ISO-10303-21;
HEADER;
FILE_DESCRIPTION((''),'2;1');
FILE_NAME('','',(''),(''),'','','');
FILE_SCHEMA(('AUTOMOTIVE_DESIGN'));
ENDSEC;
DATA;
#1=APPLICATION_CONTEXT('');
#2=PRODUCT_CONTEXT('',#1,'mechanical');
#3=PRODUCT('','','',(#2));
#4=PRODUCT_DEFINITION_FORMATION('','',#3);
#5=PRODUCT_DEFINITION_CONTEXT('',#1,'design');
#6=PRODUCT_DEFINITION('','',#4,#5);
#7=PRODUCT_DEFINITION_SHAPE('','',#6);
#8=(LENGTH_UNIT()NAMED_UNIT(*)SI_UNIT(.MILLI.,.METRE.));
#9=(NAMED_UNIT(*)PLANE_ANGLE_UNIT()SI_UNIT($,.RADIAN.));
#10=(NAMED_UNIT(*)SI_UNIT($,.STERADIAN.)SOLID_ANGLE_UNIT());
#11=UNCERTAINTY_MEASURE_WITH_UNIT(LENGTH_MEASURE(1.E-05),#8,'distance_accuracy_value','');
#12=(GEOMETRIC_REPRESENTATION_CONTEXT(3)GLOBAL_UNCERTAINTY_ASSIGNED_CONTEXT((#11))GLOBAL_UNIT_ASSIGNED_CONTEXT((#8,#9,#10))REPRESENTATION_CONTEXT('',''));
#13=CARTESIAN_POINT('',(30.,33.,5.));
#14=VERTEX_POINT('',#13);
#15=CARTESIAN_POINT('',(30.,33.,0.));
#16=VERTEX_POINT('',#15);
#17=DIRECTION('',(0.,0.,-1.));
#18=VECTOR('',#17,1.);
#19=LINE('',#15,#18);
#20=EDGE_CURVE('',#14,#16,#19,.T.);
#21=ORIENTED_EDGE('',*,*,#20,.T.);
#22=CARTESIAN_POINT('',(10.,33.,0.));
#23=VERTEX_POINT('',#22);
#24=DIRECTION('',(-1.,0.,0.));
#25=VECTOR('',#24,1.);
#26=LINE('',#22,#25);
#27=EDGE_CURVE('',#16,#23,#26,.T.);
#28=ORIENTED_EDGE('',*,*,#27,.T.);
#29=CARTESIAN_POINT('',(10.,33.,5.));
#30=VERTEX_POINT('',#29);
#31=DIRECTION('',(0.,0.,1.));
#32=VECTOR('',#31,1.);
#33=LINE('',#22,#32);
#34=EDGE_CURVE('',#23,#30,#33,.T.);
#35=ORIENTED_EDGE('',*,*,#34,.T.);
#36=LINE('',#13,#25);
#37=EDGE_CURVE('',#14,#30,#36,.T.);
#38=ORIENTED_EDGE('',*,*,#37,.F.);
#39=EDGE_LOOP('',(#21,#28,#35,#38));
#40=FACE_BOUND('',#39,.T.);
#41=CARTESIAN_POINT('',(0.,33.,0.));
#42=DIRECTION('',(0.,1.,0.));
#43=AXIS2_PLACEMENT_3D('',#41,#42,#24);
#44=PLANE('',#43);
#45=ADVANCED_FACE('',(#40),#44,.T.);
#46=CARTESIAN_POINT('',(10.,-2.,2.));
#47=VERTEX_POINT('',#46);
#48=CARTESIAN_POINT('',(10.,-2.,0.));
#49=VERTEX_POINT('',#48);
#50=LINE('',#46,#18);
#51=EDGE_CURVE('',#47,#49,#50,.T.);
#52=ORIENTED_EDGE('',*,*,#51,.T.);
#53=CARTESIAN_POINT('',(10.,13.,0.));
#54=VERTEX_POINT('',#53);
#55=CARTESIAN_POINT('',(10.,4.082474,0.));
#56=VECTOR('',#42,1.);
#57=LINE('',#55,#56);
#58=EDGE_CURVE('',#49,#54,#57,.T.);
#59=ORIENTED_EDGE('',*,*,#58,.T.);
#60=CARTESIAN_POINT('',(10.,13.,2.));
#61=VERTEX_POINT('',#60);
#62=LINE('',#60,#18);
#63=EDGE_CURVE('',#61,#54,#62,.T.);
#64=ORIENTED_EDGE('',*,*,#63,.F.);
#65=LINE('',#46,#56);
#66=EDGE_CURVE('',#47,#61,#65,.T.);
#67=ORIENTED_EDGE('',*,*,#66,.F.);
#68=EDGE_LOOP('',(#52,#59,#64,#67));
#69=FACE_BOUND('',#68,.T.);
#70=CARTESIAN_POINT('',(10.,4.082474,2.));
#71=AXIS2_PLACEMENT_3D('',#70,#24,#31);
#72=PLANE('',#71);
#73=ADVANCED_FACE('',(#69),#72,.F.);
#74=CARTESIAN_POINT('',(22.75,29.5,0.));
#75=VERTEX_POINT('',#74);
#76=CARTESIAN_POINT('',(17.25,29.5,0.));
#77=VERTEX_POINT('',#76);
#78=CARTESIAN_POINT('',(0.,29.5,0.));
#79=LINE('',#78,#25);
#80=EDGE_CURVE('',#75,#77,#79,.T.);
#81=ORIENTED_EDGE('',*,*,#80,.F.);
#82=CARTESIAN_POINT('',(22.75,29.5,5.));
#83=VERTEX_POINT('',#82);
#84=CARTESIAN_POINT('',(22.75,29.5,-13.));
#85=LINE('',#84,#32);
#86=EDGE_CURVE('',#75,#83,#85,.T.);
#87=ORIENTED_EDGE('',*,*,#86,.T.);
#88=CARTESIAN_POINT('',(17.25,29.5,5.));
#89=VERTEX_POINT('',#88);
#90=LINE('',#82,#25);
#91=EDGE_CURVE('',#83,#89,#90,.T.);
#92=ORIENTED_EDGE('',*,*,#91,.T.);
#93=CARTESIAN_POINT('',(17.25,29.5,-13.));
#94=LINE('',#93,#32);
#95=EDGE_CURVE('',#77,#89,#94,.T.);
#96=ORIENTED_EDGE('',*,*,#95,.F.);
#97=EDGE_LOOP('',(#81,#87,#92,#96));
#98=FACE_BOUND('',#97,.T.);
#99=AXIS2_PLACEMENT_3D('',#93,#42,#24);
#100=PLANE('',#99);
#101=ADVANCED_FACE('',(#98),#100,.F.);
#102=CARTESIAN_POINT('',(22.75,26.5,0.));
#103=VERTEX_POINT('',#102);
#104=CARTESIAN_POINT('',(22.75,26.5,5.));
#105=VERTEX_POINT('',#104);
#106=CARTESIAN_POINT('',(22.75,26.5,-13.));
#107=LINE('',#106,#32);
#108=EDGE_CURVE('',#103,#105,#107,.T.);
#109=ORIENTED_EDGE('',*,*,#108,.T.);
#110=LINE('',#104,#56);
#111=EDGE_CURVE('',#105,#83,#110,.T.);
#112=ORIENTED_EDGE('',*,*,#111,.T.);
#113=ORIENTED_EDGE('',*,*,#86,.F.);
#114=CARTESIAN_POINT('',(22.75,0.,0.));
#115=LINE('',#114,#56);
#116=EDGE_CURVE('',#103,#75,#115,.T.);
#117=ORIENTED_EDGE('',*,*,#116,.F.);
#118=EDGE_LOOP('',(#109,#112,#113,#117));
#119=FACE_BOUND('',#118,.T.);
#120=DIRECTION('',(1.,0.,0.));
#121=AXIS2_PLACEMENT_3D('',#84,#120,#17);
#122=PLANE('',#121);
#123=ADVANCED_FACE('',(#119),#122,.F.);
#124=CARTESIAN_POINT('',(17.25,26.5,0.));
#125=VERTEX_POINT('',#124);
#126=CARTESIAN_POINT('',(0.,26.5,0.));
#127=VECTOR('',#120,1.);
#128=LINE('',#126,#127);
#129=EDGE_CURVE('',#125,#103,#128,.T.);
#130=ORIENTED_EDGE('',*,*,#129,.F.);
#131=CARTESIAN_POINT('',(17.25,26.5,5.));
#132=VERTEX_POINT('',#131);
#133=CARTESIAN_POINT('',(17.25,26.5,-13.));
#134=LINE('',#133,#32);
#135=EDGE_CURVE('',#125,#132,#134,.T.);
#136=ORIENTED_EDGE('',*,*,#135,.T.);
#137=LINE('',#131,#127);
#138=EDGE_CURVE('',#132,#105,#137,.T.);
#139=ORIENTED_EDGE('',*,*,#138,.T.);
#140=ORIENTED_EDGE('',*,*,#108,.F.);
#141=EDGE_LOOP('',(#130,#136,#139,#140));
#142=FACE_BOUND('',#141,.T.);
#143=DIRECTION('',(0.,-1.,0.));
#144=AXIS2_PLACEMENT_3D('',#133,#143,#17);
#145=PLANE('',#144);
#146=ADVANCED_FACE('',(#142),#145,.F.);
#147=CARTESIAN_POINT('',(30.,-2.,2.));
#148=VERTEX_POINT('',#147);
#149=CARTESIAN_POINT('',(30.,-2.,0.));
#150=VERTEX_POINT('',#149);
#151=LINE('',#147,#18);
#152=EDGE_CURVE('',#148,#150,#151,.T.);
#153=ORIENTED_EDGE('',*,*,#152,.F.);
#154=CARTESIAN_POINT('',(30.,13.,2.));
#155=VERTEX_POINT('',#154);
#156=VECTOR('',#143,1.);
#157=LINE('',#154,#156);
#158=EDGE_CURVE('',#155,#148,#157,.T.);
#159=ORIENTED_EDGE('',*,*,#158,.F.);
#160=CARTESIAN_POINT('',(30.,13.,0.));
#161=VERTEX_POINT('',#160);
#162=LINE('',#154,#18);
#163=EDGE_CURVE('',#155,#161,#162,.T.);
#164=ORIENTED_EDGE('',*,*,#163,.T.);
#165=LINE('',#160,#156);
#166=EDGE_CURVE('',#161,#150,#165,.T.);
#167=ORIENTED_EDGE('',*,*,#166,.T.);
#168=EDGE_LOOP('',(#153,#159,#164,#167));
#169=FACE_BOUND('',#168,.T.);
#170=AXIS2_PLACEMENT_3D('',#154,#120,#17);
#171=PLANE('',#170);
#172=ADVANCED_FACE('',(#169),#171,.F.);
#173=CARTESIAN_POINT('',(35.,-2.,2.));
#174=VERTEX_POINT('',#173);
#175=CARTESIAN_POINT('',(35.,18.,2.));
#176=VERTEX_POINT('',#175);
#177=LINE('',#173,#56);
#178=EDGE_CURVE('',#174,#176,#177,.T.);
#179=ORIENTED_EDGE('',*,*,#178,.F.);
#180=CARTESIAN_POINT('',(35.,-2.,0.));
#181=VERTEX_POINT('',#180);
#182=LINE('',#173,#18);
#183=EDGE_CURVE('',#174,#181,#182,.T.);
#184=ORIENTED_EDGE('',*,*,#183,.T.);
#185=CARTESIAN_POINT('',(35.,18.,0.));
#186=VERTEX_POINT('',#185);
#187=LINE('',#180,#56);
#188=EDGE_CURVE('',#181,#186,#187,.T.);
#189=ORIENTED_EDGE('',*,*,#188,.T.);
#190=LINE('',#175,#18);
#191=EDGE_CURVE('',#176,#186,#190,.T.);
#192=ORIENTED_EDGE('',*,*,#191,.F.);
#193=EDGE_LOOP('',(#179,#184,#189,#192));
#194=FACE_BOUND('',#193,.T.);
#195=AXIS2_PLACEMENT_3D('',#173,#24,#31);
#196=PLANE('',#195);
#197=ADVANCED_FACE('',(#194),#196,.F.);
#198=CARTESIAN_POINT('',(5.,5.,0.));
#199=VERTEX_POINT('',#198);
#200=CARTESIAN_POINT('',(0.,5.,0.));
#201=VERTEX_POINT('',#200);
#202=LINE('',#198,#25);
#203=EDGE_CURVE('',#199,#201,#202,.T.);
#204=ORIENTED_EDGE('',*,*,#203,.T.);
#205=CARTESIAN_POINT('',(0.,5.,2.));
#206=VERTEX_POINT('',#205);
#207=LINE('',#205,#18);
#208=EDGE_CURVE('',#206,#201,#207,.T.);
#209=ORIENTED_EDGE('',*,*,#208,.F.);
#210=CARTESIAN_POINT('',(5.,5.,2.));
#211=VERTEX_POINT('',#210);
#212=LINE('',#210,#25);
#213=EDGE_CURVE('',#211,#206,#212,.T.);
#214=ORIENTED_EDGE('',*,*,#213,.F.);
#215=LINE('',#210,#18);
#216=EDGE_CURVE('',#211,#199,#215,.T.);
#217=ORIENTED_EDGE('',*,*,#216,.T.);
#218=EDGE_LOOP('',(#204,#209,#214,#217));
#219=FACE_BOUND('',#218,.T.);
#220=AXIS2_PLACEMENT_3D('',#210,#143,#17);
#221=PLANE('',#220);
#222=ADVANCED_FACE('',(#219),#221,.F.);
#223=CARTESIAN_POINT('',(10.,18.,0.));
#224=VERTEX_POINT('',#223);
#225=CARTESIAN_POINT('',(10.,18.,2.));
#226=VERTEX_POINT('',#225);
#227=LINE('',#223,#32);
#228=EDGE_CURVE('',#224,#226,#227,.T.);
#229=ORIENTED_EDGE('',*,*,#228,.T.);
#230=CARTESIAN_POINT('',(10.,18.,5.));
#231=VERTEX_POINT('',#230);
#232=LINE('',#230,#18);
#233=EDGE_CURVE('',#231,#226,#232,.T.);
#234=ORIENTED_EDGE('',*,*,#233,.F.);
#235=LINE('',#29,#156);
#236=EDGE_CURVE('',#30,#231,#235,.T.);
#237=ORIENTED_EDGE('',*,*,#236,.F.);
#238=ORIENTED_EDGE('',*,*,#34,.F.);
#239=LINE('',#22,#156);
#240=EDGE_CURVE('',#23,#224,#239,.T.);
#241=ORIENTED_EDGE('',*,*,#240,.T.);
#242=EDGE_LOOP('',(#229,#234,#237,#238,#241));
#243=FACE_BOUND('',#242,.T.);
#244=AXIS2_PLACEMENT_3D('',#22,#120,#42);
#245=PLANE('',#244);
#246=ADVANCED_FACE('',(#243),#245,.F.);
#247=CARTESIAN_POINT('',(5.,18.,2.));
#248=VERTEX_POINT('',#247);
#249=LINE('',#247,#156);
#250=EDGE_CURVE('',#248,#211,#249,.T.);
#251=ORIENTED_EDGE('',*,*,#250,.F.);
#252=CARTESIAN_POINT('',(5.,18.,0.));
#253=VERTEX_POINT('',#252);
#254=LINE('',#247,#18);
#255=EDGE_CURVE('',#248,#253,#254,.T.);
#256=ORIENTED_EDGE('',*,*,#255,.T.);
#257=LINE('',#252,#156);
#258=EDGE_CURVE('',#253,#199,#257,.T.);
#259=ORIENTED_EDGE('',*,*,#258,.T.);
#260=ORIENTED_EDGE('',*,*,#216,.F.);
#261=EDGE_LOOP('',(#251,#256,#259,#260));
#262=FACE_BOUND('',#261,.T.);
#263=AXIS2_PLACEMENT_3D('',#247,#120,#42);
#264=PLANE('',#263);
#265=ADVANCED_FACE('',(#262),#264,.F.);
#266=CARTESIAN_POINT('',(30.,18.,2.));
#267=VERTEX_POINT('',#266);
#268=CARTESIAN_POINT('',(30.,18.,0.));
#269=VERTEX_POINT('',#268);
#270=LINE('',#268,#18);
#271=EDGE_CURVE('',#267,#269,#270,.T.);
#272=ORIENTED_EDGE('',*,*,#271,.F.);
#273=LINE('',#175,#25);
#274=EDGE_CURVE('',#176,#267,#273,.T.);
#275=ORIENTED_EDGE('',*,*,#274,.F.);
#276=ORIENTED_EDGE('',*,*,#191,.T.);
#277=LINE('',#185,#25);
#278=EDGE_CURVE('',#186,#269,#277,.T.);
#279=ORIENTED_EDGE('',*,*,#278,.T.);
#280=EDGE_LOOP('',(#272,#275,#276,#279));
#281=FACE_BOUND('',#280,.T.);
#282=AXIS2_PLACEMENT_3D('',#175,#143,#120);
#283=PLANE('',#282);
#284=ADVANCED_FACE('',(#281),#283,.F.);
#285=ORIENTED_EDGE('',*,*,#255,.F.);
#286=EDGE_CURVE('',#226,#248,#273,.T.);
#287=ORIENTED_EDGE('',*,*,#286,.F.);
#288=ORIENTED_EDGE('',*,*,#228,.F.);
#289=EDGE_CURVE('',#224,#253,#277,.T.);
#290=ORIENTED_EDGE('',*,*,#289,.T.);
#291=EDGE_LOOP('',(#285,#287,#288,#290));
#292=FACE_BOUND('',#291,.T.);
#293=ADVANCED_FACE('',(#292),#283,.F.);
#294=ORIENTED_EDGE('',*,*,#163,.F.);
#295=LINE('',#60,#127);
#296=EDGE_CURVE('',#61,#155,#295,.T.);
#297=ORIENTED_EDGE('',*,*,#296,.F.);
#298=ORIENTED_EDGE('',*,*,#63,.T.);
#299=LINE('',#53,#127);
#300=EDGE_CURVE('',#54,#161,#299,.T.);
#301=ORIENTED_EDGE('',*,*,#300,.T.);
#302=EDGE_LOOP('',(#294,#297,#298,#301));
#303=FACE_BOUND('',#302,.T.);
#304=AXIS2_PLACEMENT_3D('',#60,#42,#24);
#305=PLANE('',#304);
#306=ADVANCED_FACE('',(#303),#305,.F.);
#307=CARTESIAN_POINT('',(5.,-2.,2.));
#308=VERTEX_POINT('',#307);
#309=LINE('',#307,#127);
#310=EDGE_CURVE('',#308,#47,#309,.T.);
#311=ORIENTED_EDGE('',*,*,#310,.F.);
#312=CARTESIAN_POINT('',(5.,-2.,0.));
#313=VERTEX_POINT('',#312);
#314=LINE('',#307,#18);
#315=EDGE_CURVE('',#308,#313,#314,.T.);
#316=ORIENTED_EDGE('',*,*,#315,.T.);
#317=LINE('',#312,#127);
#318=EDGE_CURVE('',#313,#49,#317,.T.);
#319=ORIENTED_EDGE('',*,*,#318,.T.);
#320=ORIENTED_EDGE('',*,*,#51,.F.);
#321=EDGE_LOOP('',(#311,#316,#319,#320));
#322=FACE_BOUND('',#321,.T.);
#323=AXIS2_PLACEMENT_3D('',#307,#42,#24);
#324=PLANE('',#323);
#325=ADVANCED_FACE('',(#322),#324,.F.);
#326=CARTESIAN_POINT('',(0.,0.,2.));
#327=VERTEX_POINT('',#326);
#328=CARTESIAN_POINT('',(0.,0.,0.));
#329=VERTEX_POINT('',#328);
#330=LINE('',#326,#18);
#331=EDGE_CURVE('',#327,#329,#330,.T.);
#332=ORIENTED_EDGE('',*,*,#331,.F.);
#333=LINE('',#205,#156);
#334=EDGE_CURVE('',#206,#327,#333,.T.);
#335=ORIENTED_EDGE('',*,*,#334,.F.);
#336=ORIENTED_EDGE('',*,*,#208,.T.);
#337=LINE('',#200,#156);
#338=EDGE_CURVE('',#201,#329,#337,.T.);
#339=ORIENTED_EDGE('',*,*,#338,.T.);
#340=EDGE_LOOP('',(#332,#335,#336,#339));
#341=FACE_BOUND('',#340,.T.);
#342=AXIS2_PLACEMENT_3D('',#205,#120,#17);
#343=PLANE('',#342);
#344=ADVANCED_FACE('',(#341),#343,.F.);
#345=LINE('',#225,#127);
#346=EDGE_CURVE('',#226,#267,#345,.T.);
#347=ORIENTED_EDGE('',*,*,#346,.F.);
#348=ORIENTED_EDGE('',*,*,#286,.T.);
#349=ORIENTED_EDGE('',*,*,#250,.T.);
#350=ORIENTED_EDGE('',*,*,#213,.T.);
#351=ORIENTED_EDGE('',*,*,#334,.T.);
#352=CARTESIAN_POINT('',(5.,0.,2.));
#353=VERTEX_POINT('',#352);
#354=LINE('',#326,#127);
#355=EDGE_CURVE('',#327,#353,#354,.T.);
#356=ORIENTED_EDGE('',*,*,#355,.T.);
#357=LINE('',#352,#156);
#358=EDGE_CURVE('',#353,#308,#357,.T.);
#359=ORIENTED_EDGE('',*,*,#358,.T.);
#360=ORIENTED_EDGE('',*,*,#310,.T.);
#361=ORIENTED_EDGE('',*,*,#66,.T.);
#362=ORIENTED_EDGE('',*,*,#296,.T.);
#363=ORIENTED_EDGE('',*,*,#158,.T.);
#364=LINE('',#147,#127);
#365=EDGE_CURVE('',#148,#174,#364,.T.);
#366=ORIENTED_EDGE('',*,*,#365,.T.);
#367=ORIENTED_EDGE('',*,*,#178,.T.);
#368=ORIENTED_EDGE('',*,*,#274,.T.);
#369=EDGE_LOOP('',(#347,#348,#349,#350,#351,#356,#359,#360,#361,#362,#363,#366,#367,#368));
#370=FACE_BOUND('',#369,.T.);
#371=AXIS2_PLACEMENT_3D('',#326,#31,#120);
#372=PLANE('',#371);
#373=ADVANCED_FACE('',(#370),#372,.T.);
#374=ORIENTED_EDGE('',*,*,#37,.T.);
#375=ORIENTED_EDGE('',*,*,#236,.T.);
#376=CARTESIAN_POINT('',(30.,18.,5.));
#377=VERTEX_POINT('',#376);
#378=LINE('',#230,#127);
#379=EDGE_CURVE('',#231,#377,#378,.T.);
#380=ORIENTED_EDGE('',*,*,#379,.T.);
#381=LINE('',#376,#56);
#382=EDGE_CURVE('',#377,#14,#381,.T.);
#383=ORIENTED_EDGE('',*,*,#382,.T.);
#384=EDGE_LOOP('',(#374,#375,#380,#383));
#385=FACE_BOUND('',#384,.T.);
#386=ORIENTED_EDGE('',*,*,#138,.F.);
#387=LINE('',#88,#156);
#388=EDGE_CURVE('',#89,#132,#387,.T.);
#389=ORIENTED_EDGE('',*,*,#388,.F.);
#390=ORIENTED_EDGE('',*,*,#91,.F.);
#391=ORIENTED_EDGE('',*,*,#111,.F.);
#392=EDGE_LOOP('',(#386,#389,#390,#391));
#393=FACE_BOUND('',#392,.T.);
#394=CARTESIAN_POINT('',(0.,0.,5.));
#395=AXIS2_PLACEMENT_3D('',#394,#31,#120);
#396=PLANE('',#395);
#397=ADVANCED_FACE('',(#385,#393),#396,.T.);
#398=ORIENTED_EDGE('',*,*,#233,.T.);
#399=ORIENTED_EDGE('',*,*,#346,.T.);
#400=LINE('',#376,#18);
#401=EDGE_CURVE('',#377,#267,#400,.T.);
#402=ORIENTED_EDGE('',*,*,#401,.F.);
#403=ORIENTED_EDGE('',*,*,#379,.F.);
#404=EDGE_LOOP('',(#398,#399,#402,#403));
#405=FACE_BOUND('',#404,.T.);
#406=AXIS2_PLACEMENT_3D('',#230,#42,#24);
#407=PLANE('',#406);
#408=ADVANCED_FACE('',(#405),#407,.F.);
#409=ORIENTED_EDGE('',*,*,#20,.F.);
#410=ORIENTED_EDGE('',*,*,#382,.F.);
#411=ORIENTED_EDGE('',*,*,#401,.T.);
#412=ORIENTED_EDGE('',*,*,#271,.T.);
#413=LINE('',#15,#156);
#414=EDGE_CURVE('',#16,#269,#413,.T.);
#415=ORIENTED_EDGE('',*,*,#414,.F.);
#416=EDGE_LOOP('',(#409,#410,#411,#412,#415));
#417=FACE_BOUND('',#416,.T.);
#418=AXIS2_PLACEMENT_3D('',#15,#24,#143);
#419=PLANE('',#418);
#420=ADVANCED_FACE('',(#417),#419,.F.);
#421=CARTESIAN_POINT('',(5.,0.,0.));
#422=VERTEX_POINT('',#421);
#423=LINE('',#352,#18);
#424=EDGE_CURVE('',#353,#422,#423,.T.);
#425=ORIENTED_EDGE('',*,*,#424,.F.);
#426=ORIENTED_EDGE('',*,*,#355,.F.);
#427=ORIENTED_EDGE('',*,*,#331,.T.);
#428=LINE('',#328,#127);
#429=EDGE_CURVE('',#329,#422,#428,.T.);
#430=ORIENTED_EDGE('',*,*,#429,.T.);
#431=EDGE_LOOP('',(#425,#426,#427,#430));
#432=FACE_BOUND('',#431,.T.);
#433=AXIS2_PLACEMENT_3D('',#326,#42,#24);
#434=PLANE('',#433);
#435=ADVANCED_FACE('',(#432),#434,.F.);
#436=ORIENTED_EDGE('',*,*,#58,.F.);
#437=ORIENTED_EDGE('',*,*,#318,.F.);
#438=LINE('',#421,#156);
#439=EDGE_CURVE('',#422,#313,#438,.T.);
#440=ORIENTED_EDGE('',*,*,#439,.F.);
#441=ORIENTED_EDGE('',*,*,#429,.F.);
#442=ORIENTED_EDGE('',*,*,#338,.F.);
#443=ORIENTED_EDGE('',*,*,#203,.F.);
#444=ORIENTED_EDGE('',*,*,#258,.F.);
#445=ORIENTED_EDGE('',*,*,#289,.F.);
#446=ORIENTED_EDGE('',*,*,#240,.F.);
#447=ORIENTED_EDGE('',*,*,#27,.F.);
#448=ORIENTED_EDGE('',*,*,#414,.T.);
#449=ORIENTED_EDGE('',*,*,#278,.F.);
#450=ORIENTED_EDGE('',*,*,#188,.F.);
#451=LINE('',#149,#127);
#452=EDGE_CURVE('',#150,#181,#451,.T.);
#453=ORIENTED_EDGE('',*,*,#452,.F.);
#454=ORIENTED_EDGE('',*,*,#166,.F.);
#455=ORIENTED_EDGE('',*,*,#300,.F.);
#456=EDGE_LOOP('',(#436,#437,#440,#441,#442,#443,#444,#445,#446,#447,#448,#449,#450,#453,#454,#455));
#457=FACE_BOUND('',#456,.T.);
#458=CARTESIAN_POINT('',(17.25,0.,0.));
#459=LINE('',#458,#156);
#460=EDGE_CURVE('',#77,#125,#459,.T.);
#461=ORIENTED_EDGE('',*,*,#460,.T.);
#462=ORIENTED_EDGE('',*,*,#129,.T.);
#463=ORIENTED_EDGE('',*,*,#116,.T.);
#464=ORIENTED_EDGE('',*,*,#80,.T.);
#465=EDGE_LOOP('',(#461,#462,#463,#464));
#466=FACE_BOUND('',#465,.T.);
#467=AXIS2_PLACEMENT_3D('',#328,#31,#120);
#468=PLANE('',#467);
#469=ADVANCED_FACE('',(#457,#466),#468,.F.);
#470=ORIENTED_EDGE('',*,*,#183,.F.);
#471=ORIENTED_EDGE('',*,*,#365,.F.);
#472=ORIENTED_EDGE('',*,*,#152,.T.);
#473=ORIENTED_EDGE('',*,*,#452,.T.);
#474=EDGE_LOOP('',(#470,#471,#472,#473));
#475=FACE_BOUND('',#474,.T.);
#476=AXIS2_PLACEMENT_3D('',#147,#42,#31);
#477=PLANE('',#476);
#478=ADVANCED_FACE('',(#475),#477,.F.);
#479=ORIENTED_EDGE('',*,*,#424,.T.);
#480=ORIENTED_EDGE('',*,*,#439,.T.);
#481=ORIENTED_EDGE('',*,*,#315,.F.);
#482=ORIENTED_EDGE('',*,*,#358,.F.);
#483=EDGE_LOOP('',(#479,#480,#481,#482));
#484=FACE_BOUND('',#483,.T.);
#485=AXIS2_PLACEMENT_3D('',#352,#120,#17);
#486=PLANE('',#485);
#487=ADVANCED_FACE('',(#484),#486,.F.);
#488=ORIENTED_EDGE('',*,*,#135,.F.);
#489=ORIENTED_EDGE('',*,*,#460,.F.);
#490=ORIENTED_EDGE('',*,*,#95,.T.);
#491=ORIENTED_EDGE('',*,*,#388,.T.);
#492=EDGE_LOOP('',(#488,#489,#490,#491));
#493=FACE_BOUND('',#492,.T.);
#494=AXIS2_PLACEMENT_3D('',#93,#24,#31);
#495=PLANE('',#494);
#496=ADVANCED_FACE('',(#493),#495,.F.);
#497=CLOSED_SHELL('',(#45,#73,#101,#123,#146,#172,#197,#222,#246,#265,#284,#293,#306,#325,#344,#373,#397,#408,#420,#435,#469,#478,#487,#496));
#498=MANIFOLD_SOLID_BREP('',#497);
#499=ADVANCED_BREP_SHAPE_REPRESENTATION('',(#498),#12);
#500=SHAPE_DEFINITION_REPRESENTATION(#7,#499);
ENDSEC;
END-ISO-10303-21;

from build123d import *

# Parameters (mm, degrees)
P_IDAT_VYSUNUT_M1_DEPTH  = 2
SKICA2_W                 = 20
SKICA2_H                 = 2
P_IDAT_VYSUNUT_M2_DEPTH  = 15
SKICA3_W                 = 5.5
SKICA3_H                 = 3
ODEBRAT_VYSUNUT_M1_DEPTH = 15
SKICA5_W                 = 20
SKICA5_H                 = 15
SKICA5_W_2               = 5.5
SKICA5_H_2               = 3
P_IDAT_VYSUNUT_M3_DEPTH  = 3


with BuildPart() as part:
    # Skica1 → Přidat vysunutím1 (new body)
    with BuildSketch(Plane.XY):
        Polygon((0, 0), (5, 0), (5, -2), (10, -2), (10, 4.082474227), (10, 13), (30, 13), (30, -2), (35, -2), (35, 18), (5, 18), (5, 5), (0, 5), align=None)
    extrude(amount=P_IDAT_VYSUNUT_M1_DEPTH)

    # Skica2 → Přidat vysunutím2 (add)
    with BuildSketch(Plane(origin=(0, 18, 0), x_dir=(1, 0, 0), z_dir=(0, 1, 0))):
        with Locations((20, -1)):
            Rectangle(SKICA2_W, SKICA2_H)
    extrude(amount=P_IDAT_VYSUNUT_M2_DEPTH)

    # Skica3 → Odebrat vysunutím1 (cut)
    with BuildSketch(Plane.XY.offset(2)):
        with Locations((20, 28)):
            Rectangle(SKICA3_W, SKICA3_H)
    extrude(amount=-ODEBRAT_VYSUNUT_M1_DEPTH, mode=Mode.SUBTRACT)

    # Skica5 → Přidat vysunutím3 (add)
    with BuildSketch(Plane.XY.offset(2)):
        with Locations((20, 25.5)):
            Rectangle(SKICA5_W, SKICA5_H)
        with Locations((20, 28)):
            Rectangle(SKICA5_W_2, SKICA5_H_2, mode=Mode.SUBTRACT)
    extrude(amount=P_IDAT_VYSUNUT_M3_DEPTH)


solid = part.part
